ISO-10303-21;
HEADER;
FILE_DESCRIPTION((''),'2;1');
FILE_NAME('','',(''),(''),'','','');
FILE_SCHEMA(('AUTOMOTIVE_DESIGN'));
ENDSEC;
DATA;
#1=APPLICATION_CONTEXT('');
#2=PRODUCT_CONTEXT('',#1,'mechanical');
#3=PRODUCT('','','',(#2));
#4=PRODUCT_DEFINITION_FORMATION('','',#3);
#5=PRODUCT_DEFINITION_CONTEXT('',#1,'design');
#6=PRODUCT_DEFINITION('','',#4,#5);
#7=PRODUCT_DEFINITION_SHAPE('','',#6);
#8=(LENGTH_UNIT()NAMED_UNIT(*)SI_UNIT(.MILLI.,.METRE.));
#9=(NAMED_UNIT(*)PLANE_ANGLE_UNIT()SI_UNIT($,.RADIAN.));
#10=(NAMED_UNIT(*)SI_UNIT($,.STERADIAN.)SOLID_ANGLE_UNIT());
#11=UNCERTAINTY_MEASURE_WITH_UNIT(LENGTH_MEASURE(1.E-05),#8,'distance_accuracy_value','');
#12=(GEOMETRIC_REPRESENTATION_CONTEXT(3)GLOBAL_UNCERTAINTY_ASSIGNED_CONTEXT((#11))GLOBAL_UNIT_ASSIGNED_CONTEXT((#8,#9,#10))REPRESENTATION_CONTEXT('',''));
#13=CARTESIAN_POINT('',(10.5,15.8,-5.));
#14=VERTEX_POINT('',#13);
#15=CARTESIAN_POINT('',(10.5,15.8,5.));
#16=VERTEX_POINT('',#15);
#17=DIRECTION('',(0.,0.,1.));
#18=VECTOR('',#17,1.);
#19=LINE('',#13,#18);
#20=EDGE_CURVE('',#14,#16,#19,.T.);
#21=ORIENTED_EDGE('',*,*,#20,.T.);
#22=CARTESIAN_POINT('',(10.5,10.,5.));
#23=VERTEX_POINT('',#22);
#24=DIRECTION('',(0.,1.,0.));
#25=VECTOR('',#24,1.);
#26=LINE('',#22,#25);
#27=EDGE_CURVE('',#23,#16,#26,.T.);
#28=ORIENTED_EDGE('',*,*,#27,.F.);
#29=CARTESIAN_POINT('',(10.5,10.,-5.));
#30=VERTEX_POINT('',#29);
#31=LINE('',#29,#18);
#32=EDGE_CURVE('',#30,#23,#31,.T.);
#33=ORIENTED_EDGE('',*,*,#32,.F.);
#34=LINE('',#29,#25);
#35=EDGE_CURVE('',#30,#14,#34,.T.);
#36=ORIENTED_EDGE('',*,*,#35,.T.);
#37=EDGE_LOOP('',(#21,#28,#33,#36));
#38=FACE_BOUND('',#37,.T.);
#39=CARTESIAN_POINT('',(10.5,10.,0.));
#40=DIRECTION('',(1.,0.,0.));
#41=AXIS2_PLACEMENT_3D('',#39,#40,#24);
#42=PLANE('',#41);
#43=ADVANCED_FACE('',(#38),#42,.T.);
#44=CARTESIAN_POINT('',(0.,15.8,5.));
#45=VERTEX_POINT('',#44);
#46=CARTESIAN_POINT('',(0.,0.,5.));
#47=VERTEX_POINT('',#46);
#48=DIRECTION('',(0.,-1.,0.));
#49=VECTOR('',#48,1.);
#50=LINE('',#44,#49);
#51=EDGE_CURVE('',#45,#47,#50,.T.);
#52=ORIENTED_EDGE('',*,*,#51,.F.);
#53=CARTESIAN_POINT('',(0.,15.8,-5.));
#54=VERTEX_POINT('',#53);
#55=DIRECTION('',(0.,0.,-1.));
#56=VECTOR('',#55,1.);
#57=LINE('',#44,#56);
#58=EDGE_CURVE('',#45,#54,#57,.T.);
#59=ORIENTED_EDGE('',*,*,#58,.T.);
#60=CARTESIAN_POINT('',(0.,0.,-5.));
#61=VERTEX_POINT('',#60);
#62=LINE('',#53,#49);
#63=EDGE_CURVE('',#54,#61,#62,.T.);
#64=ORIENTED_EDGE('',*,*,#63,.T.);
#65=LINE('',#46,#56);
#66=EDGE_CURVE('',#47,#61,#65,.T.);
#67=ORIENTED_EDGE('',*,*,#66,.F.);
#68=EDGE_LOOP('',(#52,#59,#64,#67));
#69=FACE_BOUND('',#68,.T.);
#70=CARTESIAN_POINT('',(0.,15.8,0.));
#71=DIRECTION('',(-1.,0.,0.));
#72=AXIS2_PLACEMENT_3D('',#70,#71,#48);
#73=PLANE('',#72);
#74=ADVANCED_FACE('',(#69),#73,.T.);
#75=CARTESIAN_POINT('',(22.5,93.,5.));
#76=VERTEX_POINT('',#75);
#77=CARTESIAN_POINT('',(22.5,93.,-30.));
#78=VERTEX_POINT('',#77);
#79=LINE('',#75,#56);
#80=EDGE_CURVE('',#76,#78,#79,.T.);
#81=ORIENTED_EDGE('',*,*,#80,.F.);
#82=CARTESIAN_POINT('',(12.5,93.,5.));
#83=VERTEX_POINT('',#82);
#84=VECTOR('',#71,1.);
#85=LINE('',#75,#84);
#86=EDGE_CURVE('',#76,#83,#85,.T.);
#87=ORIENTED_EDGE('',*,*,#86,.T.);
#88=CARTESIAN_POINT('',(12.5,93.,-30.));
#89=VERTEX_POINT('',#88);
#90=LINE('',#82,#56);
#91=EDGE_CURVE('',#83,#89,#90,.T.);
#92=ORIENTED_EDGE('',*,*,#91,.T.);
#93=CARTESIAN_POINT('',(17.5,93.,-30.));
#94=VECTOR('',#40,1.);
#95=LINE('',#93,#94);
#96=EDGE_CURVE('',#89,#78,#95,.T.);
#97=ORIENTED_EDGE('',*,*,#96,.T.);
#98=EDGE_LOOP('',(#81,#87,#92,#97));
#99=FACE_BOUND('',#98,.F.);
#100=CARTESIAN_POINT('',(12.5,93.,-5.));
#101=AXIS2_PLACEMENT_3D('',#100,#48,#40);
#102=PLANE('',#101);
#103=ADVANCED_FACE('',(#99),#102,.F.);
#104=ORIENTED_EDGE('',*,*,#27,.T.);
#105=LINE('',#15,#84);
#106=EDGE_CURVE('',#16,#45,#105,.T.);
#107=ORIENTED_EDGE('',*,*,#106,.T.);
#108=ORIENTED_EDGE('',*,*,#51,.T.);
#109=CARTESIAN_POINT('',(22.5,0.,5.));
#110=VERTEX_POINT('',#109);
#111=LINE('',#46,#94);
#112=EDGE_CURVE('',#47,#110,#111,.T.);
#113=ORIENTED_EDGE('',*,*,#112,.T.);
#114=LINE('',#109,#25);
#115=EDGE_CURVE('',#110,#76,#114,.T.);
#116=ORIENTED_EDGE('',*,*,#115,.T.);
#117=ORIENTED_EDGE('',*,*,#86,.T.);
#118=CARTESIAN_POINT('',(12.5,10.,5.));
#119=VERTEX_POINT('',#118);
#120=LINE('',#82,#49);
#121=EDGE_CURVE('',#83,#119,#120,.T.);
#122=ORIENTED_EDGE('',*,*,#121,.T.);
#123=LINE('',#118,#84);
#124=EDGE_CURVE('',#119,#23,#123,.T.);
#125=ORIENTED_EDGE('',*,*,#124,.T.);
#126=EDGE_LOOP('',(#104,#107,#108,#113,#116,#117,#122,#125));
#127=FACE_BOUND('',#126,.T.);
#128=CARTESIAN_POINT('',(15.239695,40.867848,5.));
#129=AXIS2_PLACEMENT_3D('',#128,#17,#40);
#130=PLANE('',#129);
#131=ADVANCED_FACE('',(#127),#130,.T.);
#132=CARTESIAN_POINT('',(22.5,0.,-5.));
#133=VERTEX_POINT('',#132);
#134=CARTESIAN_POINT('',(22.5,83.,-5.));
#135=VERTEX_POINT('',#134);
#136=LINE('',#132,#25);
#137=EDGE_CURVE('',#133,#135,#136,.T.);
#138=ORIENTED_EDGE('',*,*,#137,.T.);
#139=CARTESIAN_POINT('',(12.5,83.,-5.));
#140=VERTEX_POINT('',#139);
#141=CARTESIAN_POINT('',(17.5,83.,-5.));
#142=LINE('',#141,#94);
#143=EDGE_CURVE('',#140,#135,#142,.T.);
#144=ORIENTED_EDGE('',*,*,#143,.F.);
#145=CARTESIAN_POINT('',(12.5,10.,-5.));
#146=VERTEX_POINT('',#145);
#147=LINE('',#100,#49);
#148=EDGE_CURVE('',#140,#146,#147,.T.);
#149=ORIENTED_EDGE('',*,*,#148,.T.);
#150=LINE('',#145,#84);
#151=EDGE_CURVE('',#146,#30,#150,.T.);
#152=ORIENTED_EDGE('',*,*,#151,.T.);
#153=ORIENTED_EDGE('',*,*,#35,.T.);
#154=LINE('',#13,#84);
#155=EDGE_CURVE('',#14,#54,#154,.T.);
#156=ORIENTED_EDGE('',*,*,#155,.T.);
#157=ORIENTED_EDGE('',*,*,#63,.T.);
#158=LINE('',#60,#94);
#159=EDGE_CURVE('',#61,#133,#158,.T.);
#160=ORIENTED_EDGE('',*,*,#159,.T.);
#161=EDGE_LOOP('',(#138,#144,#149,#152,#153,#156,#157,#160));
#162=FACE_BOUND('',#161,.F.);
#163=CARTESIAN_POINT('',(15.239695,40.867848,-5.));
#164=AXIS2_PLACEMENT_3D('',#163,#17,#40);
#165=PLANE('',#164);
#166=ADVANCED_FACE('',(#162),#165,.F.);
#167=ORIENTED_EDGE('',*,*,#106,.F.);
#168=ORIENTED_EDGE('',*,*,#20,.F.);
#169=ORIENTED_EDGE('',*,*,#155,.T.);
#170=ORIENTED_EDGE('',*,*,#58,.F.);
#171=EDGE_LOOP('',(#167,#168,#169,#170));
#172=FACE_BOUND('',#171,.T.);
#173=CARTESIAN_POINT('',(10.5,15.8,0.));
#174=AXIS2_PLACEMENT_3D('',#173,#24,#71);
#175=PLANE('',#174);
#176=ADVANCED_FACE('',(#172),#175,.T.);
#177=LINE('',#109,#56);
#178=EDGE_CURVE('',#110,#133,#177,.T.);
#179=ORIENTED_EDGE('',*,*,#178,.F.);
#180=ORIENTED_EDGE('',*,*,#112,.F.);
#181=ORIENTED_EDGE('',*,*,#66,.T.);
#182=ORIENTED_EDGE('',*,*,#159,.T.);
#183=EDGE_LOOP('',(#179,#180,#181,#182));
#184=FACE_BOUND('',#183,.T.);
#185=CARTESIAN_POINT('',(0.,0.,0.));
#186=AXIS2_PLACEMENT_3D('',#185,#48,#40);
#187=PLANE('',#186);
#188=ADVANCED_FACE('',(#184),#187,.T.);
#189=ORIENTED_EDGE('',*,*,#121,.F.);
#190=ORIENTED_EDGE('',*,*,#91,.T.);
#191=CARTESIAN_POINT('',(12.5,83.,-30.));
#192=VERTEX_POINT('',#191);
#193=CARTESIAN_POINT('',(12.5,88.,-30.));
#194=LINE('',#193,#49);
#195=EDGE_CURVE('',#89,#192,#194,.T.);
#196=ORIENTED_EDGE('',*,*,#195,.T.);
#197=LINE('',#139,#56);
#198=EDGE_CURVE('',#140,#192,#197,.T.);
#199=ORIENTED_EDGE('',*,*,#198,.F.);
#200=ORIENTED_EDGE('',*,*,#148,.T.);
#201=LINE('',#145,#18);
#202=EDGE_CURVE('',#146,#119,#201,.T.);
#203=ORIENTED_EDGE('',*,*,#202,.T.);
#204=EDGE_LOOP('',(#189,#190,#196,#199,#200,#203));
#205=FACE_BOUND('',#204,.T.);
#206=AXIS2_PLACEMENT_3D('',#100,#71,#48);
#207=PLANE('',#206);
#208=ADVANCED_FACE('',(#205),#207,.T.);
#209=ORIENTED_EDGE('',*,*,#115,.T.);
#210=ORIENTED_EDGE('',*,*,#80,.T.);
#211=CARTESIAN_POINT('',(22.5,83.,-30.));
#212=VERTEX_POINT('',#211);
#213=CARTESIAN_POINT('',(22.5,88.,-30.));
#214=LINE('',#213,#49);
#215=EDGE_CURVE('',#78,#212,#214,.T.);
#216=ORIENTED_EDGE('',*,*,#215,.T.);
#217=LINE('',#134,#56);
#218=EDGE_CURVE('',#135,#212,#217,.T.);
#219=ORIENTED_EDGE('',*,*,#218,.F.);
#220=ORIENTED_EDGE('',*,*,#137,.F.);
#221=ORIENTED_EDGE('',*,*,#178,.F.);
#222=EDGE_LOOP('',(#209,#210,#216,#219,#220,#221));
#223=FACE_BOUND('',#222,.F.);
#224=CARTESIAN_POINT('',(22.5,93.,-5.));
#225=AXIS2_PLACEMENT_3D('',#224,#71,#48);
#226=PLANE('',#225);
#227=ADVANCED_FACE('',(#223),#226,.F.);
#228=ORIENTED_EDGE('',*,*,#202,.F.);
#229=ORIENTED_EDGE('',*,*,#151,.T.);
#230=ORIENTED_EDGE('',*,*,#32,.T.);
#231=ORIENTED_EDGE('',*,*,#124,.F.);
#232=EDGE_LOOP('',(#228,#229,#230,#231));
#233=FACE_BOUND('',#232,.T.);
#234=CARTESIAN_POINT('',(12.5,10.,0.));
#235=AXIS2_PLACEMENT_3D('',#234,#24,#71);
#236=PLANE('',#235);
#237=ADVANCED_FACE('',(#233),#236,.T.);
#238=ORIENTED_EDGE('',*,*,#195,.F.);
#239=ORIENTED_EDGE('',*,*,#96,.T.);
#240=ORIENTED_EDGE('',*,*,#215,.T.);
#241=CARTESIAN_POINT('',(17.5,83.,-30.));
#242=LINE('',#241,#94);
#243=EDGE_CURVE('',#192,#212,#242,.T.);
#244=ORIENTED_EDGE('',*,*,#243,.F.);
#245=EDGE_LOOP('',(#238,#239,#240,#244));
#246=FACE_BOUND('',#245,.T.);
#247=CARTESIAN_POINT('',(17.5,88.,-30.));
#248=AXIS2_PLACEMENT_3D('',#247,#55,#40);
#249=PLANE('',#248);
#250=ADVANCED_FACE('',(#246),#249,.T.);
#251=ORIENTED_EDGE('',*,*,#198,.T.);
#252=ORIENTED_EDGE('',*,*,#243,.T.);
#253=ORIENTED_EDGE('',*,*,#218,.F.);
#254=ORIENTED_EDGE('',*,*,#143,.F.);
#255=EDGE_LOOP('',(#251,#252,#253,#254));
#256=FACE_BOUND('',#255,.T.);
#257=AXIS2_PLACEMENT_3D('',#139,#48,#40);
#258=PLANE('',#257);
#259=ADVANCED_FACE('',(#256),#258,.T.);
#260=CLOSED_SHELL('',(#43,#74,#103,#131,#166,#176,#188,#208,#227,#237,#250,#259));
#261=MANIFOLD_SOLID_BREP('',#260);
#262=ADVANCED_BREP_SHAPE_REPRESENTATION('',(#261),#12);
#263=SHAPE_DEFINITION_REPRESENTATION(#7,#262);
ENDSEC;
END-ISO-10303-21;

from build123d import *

# Parameters (mm, degrees)
F1_DEPTH = 5
F2_W     = 10
F2_H     = 10
F3_DEPTH = 25


with BuildPart() as f1:
    # F0 (on Top) → F1 (new body, symmetric)
    with BuildSketch(Plane.XY):
        Polygon((22.5, 0), (22.5, 93), (12.5, 93), (12.5, 10), (10.5, 10), (10.5, 15.8), (0, 15.8), (0, 0), align=None)
    extrude(amount=F1_DEPTH, both=True)

    # F2 (on face) → F3 (join)
    with BuildSketch(Plane(origin=(0, 0, -5), x_dir=(1, 0, 0), z_dir=(0, 0, -1))):
        with Locations((17.5, -88)):
            Rectangle(F2_W, F2_H)
    extrude(amount=F3_DEPTH)


solid = f1.part
